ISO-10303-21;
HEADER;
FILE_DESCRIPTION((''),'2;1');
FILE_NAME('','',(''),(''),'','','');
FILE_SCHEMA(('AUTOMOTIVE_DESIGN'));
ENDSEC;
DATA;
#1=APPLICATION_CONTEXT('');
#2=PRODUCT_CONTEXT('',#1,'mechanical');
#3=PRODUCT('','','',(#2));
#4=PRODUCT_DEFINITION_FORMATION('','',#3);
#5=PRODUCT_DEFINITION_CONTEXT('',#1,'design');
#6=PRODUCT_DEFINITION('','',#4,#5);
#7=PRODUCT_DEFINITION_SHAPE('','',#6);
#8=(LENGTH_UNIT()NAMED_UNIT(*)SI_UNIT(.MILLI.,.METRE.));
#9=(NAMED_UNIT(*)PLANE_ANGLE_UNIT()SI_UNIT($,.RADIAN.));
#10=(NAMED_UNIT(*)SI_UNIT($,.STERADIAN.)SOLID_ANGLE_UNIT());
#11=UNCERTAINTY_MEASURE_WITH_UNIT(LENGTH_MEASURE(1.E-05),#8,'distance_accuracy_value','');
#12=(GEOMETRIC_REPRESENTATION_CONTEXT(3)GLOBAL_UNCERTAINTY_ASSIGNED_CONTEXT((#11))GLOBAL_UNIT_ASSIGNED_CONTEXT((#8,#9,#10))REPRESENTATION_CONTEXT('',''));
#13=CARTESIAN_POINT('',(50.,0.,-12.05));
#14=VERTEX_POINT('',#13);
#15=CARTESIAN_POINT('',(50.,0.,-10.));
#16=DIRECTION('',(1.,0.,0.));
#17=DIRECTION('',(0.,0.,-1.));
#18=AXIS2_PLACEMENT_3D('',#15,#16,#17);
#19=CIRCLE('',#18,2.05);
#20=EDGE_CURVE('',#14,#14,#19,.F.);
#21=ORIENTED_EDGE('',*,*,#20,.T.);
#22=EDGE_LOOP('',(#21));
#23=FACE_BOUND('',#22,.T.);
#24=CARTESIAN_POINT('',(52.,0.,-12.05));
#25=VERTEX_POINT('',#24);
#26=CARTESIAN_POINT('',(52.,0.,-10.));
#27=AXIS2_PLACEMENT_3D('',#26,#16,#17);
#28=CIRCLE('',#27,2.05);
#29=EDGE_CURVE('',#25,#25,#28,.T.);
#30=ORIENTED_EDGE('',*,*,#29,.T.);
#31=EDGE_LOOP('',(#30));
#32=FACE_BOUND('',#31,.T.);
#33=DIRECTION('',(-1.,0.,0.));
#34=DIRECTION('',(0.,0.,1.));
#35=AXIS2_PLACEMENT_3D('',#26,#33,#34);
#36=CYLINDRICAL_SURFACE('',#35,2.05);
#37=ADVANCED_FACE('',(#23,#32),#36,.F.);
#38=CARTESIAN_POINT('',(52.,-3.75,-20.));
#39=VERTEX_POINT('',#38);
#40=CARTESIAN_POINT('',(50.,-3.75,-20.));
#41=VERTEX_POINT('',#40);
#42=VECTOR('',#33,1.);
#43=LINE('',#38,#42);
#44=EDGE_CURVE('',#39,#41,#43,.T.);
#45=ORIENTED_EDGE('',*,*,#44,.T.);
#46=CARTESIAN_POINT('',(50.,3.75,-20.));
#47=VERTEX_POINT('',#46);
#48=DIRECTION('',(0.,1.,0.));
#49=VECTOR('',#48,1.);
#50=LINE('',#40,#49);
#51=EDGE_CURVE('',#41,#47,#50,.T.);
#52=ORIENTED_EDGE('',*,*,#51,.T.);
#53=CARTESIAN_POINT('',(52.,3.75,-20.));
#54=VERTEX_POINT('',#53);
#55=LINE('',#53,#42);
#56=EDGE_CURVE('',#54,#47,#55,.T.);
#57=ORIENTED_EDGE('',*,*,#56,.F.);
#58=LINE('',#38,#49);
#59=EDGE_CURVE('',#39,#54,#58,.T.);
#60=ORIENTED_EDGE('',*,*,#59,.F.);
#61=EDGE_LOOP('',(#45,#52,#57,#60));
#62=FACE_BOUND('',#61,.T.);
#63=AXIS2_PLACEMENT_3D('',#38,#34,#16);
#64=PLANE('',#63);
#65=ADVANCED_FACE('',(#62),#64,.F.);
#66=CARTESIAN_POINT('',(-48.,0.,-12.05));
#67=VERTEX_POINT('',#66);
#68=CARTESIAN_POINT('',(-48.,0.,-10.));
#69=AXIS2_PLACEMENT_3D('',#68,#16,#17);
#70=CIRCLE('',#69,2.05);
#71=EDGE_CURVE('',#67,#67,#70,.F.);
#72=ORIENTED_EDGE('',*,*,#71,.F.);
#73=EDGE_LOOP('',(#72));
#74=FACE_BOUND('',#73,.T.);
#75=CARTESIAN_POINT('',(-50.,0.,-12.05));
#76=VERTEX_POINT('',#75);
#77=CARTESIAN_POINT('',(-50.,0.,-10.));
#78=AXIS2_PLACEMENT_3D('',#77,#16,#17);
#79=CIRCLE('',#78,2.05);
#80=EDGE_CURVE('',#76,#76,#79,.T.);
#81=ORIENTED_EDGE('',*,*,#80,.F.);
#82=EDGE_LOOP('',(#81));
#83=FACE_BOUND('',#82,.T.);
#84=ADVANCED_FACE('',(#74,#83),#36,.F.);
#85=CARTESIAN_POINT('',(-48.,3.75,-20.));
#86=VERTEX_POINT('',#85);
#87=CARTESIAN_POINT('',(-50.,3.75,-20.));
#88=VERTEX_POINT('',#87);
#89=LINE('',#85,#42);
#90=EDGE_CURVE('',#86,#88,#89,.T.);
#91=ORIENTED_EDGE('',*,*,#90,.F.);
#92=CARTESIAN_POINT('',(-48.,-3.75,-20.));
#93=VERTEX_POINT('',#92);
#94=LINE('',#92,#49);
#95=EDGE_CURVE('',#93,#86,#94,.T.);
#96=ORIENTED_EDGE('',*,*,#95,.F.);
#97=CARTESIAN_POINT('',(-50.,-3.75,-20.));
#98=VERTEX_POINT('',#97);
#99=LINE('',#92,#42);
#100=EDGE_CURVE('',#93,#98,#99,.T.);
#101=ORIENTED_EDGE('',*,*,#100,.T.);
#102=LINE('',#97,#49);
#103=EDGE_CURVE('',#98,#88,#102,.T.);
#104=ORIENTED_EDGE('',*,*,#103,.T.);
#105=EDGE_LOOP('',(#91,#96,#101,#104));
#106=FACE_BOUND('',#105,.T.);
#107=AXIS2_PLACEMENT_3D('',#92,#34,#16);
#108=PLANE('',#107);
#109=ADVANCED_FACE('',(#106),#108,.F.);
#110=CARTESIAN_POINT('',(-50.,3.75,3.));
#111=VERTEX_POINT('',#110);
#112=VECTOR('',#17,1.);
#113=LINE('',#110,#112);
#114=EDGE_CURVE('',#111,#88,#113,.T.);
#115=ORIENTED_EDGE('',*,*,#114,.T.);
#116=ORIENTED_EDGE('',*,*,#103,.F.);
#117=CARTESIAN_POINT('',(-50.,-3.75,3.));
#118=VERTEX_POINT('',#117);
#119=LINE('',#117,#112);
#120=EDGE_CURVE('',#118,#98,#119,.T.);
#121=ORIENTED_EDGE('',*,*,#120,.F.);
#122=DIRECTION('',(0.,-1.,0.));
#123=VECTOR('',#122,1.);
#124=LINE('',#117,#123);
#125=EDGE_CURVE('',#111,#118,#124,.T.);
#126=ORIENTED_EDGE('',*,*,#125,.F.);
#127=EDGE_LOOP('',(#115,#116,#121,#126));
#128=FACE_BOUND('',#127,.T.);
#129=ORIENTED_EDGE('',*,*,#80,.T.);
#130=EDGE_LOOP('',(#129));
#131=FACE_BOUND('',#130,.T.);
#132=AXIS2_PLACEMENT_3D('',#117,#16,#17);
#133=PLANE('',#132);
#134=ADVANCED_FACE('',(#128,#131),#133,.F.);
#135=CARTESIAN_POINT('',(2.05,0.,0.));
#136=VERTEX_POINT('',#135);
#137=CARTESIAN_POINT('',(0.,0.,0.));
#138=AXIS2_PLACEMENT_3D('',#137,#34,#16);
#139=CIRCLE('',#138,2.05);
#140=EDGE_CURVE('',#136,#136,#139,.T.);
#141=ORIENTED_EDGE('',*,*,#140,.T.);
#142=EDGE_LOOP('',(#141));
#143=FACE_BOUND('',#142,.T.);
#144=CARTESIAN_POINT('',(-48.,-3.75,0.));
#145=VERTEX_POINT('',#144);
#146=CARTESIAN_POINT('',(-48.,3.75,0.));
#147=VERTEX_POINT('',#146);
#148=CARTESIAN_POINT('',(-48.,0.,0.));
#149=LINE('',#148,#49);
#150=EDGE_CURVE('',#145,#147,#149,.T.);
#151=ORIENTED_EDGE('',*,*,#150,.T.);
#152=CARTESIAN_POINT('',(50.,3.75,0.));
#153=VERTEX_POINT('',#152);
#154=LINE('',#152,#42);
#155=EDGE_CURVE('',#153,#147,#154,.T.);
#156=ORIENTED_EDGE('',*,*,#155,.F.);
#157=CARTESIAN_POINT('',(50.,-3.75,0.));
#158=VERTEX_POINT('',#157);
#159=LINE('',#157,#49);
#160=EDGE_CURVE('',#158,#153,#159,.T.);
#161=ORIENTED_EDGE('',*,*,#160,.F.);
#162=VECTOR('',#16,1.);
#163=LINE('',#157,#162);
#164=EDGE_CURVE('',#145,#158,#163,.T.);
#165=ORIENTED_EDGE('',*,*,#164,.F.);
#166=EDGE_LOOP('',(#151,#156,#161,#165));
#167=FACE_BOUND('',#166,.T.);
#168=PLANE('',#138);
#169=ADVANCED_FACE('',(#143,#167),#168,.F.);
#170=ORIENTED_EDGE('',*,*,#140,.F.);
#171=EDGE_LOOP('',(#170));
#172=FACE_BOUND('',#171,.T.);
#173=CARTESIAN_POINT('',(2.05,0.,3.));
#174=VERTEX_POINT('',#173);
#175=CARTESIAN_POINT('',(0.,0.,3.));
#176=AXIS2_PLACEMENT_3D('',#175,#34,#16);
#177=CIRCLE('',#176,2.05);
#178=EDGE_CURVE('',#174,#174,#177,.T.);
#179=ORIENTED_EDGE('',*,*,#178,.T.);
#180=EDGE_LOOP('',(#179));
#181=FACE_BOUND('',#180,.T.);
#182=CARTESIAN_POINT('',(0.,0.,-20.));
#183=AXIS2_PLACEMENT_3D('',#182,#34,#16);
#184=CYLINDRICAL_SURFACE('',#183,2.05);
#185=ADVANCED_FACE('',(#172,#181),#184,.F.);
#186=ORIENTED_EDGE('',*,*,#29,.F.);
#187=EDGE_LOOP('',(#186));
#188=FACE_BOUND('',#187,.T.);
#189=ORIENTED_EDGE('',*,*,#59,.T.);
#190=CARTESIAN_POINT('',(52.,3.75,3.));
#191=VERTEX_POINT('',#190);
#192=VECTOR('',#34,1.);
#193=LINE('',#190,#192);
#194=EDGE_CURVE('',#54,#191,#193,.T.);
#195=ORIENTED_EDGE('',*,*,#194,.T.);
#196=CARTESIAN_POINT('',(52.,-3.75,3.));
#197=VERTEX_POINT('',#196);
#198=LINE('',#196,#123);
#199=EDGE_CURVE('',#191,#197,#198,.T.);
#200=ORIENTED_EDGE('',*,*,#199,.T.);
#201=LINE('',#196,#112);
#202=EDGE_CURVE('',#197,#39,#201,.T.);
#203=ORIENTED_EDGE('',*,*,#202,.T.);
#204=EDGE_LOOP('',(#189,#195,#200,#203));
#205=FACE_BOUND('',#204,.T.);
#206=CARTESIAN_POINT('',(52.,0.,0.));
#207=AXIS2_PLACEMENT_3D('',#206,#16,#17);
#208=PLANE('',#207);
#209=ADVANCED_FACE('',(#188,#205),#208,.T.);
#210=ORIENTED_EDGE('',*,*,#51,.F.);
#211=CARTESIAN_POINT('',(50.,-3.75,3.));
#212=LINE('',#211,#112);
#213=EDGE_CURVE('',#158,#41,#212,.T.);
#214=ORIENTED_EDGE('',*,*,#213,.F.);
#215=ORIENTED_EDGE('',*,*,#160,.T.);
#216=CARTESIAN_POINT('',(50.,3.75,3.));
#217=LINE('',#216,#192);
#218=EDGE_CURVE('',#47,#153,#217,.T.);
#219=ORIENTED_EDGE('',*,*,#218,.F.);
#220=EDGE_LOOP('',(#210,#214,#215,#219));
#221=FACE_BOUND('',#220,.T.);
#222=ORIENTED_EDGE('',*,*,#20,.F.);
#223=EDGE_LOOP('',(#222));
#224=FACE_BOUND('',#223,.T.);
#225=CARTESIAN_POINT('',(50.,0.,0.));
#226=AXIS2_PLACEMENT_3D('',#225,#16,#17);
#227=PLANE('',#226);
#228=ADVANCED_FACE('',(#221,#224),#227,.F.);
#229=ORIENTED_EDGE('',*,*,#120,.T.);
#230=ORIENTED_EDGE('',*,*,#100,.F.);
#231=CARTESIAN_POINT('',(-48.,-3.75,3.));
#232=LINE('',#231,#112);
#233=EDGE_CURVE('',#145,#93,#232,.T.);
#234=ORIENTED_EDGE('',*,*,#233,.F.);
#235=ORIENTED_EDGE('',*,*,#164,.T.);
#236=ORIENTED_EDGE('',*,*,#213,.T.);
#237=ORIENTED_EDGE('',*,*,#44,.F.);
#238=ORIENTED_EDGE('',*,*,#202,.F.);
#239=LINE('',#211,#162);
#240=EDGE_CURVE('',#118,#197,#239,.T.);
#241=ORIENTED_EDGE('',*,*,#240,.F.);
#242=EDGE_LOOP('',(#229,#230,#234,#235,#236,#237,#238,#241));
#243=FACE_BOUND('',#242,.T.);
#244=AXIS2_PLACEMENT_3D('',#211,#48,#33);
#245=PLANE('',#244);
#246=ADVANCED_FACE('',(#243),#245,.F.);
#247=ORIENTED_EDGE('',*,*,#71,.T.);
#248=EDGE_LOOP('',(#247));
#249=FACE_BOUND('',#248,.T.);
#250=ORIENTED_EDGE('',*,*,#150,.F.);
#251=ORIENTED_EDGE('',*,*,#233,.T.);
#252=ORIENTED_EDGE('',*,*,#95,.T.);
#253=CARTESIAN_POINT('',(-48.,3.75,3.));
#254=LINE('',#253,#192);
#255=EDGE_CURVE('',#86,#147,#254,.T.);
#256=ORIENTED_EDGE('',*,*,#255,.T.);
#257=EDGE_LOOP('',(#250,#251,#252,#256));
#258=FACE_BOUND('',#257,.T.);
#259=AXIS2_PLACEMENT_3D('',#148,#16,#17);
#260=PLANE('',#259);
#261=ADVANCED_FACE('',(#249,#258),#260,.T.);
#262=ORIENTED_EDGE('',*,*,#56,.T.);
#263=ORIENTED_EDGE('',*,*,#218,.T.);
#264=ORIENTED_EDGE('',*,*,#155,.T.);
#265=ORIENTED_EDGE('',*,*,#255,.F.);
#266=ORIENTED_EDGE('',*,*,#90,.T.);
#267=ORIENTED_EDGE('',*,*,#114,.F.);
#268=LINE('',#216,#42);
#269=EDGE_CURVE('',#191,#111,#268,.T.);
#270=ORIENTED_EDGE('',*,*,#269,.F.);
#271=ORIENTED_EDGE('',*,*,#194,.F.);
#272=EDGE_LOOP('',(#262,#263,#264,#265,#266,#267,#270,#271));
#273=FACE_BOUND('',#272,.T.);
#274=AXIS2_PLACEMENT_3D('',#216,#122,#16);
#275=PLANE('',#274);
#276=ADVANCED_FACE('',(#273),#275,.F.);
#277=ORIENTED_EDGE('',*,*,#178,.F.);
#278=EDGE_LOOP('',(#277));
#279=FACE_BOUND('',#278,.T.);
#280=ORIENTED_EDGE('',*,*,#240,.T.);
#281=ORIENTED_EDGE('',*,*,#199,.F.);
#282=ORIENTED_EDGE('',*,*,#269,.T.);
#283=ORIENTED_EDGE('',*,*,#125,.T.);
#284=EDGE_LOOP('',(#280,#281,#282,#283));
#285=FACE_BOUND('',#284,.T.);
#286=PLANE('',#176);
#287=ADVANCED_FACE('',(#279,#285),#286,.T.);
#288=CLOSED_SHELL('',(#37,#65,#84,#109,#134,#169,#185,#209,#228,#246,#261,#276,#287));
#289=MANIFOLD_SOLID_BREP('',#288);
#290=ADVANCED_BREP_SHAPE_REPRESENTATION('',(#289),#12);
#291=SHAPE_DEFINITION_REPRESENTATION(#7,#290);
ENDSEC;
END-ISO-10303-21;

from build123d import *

# Parameters (mm, degrees)
SKETCH1_W           = 100
SKETCH1_H           = 7.5
BOSS_EXTRUDE1_DEPTH = 3
BOSS_EXTRUDE2_START = 50
SKETCH2_W           = 23
SKETCH2_H           = 7.5
BOSS_EXTRUDE2_DEPTH = 2
BOSS_EXTRUDE3_START = -50
SKETCH2_2_W         = 23
SKETCH2_2_H         = 7.5
BOSS_EXTRUDE3_DEPTH = 2
CUT_EXTRUDE1_START  = -50
SKETCH3_R           = 2.05
CUT_EXTRUDE1_DEPTH  = 103
CUT_EXTRUDE2_START  = 3
SKETCH4_R           = 2.05
CUT_EXTRUDE2_DEPTH  = 24


with BuildPart() as part:
    # Sketch1 → Boss-Extrude1 (new body)
    with BuildSketch(Plane.XY):
        Rectangle(SKETCH1_W, SKETCH1_H)
    extrude(amount=BOSS_EXTRUDE1_DEPTH)

    # Sketch2 → Boss-Extrude2 (add)
    with BuildSketch(Plane(origin=(0, 0, 0), x_dir=(0, 0, -1), z_dir=(1, 0, 0)).offset(BOSS_EXTRUDE2_START)):
        with Locations((8.5, 0)):
            Rectangle(SKETCH2_W, SKETCH2_H)
    extrude(amount=BOSS_EXTRUDE2_DEPTH)

    # Sketch2<2> → Boss-Extrude3 (add)
    with BuildSketch(Plane(origin=(0, 0, 0), x_dir=(0, 0, -1), z_dir=(1, 0, 0)).offset(BOSS_EXTRUDE3_START)):
        with Locations((8.5, 0)):
            Rectangle(SKETCH2_2_W, SKETCH2_2_H)
    extrude(amount=BOSS_EXTRUDE3_DEPTH)

    # Sketch3 → Cut-Extrude1 (cut, through all)
    with BuildSketch(Plane(origin=(0, 0, 0), x_dir=(0, 0, -1), z_dir=(1, 0, 0)).offset(CUT_EXTRUDE1_START)):
        with Locations((10, 0)):
            Circle(SKETCH3_R)
    extrude(amount=CUT_EXTRUDE1_DEPTH, mode=Mode.SUBTRACT)

    # Sketch4 → Cut-Extrude2 (cut, through all)
    with BuildSketch(Plane.XY.offset(CUT_EXTRUDE2_START)):
        Circle(SKETCH4_R)
    extrude(amount=-CUT_EXTRUDE2_DEPTH, mode=Mode.SUBTRACT)


solid = part.part
